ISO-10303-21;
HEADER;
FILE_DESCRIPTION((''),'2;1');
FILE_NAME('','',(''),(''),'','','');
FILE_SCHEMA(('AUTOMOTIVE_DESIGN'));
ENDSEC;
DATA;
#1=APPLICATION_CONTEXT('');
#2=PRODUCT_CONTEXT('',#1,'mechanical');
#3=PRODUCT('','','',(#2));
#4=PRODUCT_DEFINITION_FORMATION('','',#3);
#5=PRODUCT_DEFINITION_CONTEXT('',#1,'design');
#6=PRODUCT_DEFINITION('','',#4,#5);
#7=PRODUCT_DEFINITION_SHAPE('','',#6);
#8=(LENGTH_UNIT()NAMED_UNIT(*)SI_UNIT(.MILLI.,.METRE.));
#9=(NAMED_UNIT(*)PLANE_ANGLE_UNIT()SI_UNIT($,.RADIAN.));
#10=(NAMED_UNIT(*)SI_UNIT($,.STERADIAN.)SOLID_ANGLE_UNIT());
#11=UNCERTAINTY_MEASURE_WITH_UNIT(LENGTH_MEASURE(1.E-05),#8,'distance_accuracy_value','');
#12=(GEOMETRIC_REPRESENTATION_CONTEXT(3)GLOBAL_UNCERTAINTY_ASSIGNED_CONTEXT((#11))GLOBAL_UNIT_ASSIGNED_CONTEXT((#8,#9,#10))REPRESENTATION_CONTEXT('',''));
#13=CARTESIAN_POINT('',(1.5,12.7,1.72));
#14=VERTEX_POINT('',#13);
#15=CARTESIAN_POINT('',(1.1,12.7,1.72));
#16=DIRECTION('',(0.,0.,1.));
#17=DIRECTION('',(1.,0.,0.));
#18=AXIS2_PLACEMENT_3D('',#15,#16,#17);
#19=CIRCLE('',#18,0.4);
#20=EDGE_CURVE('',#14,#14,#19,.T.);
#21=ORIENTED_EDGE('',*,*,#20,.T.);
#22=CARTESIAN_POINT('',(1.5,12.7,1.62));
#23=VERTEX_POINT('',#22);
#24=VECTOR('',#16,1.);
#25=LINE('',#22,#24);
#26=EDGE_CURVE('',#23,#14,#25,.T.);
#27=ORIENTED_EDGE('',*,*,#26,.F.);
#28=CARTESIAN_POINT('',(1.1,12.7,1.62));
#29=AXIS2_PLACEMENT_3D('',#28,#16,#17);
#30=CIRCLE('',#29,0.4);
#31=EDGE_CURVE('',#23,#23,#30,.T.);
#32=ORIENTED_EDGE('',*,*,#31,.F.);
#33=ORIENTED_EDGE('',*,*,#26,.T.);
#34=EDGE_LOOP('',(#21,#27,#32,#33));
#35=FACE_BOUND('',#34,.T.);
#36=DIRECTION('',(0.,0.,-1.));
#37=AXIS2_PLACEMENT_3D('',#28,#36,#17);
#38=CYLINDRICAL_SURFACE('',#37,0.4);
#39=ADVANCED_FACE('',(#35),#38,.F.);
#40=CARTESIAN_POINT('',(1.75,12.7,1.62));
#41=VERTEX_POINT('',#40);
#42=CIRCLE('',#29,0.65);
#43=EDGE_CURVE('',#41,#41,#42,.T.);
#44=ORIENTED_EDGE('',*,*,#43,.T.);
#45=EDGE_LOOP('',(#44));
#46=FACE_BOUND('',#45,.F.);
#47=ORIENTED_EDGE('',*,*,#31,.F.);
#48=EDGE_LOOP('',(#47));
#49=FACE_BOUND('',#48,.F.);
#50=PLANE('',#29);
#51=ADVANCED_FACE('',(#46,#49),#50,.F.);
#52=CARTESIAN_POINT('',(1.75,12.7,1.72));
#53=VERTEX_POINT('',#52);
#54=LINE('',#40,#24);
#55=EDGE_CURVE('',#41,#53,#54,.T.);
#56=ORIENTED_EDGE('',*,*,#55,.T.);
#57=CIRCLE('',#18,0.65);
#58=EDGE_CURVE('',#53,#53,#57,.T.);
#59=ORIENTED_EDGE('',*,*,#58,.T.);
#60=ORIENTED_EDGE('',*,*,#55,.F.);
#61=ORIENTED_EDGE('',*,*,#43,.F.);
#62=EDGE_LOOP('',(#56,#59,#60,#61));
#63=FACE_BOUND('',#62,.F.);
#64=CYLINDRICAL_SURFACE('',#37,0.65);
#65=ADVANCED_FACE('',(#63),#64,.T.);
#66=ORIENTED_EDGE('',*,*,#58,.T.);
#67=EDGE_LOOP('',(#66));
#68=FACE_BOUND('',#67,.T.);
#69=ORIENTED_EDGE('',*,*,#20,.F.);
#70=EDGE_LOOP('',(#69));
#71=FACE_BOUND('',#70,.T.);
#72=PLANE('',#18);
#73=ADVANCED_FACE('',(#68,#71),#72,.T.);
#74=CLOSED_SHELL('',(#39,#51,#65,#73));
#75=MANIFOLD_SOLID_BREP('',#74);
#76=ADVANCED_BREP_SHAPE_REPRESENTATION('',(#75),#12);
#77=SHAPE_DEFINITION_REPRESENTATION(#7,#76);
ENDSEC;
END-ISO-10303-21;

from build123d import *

# Parameters (mm, degrees)
CYLINDER007_R     = 0.4
CYLINDER007_DEPTH = 0.1
CYLINDER006_R     = 0.65
CYLINDER006_DEPTH = 0.1


with BuildPart() as cylinder007:
    # Cylinder007 → Cylinder007 (new body)
    with BuildSketch(Plane.XY.offset(1.62)):
        Circle(CYLINDER007_R)
    extrude(amount=CYLINDER007_DEPTH)


with BuildPart() as cut003:
    # Cylinder006 → Cylinder006 (new body)
    with BuildSketch(Plane.XY.offset(1.62)):
        Circle(CYLINDER006_R)
    extrude(amount=CYLINDER006_DEPTH)

    # Cut003: cut Cylinder007
    add(cylinder007.part, mode=Mode.SUBTRACT)


with BuildPart() as cut003_1:
    # Cut003 placement: moved
    add(cut003.part.moved(Location((1.1, 12.7, 0))))


solid = cut003_1.part
